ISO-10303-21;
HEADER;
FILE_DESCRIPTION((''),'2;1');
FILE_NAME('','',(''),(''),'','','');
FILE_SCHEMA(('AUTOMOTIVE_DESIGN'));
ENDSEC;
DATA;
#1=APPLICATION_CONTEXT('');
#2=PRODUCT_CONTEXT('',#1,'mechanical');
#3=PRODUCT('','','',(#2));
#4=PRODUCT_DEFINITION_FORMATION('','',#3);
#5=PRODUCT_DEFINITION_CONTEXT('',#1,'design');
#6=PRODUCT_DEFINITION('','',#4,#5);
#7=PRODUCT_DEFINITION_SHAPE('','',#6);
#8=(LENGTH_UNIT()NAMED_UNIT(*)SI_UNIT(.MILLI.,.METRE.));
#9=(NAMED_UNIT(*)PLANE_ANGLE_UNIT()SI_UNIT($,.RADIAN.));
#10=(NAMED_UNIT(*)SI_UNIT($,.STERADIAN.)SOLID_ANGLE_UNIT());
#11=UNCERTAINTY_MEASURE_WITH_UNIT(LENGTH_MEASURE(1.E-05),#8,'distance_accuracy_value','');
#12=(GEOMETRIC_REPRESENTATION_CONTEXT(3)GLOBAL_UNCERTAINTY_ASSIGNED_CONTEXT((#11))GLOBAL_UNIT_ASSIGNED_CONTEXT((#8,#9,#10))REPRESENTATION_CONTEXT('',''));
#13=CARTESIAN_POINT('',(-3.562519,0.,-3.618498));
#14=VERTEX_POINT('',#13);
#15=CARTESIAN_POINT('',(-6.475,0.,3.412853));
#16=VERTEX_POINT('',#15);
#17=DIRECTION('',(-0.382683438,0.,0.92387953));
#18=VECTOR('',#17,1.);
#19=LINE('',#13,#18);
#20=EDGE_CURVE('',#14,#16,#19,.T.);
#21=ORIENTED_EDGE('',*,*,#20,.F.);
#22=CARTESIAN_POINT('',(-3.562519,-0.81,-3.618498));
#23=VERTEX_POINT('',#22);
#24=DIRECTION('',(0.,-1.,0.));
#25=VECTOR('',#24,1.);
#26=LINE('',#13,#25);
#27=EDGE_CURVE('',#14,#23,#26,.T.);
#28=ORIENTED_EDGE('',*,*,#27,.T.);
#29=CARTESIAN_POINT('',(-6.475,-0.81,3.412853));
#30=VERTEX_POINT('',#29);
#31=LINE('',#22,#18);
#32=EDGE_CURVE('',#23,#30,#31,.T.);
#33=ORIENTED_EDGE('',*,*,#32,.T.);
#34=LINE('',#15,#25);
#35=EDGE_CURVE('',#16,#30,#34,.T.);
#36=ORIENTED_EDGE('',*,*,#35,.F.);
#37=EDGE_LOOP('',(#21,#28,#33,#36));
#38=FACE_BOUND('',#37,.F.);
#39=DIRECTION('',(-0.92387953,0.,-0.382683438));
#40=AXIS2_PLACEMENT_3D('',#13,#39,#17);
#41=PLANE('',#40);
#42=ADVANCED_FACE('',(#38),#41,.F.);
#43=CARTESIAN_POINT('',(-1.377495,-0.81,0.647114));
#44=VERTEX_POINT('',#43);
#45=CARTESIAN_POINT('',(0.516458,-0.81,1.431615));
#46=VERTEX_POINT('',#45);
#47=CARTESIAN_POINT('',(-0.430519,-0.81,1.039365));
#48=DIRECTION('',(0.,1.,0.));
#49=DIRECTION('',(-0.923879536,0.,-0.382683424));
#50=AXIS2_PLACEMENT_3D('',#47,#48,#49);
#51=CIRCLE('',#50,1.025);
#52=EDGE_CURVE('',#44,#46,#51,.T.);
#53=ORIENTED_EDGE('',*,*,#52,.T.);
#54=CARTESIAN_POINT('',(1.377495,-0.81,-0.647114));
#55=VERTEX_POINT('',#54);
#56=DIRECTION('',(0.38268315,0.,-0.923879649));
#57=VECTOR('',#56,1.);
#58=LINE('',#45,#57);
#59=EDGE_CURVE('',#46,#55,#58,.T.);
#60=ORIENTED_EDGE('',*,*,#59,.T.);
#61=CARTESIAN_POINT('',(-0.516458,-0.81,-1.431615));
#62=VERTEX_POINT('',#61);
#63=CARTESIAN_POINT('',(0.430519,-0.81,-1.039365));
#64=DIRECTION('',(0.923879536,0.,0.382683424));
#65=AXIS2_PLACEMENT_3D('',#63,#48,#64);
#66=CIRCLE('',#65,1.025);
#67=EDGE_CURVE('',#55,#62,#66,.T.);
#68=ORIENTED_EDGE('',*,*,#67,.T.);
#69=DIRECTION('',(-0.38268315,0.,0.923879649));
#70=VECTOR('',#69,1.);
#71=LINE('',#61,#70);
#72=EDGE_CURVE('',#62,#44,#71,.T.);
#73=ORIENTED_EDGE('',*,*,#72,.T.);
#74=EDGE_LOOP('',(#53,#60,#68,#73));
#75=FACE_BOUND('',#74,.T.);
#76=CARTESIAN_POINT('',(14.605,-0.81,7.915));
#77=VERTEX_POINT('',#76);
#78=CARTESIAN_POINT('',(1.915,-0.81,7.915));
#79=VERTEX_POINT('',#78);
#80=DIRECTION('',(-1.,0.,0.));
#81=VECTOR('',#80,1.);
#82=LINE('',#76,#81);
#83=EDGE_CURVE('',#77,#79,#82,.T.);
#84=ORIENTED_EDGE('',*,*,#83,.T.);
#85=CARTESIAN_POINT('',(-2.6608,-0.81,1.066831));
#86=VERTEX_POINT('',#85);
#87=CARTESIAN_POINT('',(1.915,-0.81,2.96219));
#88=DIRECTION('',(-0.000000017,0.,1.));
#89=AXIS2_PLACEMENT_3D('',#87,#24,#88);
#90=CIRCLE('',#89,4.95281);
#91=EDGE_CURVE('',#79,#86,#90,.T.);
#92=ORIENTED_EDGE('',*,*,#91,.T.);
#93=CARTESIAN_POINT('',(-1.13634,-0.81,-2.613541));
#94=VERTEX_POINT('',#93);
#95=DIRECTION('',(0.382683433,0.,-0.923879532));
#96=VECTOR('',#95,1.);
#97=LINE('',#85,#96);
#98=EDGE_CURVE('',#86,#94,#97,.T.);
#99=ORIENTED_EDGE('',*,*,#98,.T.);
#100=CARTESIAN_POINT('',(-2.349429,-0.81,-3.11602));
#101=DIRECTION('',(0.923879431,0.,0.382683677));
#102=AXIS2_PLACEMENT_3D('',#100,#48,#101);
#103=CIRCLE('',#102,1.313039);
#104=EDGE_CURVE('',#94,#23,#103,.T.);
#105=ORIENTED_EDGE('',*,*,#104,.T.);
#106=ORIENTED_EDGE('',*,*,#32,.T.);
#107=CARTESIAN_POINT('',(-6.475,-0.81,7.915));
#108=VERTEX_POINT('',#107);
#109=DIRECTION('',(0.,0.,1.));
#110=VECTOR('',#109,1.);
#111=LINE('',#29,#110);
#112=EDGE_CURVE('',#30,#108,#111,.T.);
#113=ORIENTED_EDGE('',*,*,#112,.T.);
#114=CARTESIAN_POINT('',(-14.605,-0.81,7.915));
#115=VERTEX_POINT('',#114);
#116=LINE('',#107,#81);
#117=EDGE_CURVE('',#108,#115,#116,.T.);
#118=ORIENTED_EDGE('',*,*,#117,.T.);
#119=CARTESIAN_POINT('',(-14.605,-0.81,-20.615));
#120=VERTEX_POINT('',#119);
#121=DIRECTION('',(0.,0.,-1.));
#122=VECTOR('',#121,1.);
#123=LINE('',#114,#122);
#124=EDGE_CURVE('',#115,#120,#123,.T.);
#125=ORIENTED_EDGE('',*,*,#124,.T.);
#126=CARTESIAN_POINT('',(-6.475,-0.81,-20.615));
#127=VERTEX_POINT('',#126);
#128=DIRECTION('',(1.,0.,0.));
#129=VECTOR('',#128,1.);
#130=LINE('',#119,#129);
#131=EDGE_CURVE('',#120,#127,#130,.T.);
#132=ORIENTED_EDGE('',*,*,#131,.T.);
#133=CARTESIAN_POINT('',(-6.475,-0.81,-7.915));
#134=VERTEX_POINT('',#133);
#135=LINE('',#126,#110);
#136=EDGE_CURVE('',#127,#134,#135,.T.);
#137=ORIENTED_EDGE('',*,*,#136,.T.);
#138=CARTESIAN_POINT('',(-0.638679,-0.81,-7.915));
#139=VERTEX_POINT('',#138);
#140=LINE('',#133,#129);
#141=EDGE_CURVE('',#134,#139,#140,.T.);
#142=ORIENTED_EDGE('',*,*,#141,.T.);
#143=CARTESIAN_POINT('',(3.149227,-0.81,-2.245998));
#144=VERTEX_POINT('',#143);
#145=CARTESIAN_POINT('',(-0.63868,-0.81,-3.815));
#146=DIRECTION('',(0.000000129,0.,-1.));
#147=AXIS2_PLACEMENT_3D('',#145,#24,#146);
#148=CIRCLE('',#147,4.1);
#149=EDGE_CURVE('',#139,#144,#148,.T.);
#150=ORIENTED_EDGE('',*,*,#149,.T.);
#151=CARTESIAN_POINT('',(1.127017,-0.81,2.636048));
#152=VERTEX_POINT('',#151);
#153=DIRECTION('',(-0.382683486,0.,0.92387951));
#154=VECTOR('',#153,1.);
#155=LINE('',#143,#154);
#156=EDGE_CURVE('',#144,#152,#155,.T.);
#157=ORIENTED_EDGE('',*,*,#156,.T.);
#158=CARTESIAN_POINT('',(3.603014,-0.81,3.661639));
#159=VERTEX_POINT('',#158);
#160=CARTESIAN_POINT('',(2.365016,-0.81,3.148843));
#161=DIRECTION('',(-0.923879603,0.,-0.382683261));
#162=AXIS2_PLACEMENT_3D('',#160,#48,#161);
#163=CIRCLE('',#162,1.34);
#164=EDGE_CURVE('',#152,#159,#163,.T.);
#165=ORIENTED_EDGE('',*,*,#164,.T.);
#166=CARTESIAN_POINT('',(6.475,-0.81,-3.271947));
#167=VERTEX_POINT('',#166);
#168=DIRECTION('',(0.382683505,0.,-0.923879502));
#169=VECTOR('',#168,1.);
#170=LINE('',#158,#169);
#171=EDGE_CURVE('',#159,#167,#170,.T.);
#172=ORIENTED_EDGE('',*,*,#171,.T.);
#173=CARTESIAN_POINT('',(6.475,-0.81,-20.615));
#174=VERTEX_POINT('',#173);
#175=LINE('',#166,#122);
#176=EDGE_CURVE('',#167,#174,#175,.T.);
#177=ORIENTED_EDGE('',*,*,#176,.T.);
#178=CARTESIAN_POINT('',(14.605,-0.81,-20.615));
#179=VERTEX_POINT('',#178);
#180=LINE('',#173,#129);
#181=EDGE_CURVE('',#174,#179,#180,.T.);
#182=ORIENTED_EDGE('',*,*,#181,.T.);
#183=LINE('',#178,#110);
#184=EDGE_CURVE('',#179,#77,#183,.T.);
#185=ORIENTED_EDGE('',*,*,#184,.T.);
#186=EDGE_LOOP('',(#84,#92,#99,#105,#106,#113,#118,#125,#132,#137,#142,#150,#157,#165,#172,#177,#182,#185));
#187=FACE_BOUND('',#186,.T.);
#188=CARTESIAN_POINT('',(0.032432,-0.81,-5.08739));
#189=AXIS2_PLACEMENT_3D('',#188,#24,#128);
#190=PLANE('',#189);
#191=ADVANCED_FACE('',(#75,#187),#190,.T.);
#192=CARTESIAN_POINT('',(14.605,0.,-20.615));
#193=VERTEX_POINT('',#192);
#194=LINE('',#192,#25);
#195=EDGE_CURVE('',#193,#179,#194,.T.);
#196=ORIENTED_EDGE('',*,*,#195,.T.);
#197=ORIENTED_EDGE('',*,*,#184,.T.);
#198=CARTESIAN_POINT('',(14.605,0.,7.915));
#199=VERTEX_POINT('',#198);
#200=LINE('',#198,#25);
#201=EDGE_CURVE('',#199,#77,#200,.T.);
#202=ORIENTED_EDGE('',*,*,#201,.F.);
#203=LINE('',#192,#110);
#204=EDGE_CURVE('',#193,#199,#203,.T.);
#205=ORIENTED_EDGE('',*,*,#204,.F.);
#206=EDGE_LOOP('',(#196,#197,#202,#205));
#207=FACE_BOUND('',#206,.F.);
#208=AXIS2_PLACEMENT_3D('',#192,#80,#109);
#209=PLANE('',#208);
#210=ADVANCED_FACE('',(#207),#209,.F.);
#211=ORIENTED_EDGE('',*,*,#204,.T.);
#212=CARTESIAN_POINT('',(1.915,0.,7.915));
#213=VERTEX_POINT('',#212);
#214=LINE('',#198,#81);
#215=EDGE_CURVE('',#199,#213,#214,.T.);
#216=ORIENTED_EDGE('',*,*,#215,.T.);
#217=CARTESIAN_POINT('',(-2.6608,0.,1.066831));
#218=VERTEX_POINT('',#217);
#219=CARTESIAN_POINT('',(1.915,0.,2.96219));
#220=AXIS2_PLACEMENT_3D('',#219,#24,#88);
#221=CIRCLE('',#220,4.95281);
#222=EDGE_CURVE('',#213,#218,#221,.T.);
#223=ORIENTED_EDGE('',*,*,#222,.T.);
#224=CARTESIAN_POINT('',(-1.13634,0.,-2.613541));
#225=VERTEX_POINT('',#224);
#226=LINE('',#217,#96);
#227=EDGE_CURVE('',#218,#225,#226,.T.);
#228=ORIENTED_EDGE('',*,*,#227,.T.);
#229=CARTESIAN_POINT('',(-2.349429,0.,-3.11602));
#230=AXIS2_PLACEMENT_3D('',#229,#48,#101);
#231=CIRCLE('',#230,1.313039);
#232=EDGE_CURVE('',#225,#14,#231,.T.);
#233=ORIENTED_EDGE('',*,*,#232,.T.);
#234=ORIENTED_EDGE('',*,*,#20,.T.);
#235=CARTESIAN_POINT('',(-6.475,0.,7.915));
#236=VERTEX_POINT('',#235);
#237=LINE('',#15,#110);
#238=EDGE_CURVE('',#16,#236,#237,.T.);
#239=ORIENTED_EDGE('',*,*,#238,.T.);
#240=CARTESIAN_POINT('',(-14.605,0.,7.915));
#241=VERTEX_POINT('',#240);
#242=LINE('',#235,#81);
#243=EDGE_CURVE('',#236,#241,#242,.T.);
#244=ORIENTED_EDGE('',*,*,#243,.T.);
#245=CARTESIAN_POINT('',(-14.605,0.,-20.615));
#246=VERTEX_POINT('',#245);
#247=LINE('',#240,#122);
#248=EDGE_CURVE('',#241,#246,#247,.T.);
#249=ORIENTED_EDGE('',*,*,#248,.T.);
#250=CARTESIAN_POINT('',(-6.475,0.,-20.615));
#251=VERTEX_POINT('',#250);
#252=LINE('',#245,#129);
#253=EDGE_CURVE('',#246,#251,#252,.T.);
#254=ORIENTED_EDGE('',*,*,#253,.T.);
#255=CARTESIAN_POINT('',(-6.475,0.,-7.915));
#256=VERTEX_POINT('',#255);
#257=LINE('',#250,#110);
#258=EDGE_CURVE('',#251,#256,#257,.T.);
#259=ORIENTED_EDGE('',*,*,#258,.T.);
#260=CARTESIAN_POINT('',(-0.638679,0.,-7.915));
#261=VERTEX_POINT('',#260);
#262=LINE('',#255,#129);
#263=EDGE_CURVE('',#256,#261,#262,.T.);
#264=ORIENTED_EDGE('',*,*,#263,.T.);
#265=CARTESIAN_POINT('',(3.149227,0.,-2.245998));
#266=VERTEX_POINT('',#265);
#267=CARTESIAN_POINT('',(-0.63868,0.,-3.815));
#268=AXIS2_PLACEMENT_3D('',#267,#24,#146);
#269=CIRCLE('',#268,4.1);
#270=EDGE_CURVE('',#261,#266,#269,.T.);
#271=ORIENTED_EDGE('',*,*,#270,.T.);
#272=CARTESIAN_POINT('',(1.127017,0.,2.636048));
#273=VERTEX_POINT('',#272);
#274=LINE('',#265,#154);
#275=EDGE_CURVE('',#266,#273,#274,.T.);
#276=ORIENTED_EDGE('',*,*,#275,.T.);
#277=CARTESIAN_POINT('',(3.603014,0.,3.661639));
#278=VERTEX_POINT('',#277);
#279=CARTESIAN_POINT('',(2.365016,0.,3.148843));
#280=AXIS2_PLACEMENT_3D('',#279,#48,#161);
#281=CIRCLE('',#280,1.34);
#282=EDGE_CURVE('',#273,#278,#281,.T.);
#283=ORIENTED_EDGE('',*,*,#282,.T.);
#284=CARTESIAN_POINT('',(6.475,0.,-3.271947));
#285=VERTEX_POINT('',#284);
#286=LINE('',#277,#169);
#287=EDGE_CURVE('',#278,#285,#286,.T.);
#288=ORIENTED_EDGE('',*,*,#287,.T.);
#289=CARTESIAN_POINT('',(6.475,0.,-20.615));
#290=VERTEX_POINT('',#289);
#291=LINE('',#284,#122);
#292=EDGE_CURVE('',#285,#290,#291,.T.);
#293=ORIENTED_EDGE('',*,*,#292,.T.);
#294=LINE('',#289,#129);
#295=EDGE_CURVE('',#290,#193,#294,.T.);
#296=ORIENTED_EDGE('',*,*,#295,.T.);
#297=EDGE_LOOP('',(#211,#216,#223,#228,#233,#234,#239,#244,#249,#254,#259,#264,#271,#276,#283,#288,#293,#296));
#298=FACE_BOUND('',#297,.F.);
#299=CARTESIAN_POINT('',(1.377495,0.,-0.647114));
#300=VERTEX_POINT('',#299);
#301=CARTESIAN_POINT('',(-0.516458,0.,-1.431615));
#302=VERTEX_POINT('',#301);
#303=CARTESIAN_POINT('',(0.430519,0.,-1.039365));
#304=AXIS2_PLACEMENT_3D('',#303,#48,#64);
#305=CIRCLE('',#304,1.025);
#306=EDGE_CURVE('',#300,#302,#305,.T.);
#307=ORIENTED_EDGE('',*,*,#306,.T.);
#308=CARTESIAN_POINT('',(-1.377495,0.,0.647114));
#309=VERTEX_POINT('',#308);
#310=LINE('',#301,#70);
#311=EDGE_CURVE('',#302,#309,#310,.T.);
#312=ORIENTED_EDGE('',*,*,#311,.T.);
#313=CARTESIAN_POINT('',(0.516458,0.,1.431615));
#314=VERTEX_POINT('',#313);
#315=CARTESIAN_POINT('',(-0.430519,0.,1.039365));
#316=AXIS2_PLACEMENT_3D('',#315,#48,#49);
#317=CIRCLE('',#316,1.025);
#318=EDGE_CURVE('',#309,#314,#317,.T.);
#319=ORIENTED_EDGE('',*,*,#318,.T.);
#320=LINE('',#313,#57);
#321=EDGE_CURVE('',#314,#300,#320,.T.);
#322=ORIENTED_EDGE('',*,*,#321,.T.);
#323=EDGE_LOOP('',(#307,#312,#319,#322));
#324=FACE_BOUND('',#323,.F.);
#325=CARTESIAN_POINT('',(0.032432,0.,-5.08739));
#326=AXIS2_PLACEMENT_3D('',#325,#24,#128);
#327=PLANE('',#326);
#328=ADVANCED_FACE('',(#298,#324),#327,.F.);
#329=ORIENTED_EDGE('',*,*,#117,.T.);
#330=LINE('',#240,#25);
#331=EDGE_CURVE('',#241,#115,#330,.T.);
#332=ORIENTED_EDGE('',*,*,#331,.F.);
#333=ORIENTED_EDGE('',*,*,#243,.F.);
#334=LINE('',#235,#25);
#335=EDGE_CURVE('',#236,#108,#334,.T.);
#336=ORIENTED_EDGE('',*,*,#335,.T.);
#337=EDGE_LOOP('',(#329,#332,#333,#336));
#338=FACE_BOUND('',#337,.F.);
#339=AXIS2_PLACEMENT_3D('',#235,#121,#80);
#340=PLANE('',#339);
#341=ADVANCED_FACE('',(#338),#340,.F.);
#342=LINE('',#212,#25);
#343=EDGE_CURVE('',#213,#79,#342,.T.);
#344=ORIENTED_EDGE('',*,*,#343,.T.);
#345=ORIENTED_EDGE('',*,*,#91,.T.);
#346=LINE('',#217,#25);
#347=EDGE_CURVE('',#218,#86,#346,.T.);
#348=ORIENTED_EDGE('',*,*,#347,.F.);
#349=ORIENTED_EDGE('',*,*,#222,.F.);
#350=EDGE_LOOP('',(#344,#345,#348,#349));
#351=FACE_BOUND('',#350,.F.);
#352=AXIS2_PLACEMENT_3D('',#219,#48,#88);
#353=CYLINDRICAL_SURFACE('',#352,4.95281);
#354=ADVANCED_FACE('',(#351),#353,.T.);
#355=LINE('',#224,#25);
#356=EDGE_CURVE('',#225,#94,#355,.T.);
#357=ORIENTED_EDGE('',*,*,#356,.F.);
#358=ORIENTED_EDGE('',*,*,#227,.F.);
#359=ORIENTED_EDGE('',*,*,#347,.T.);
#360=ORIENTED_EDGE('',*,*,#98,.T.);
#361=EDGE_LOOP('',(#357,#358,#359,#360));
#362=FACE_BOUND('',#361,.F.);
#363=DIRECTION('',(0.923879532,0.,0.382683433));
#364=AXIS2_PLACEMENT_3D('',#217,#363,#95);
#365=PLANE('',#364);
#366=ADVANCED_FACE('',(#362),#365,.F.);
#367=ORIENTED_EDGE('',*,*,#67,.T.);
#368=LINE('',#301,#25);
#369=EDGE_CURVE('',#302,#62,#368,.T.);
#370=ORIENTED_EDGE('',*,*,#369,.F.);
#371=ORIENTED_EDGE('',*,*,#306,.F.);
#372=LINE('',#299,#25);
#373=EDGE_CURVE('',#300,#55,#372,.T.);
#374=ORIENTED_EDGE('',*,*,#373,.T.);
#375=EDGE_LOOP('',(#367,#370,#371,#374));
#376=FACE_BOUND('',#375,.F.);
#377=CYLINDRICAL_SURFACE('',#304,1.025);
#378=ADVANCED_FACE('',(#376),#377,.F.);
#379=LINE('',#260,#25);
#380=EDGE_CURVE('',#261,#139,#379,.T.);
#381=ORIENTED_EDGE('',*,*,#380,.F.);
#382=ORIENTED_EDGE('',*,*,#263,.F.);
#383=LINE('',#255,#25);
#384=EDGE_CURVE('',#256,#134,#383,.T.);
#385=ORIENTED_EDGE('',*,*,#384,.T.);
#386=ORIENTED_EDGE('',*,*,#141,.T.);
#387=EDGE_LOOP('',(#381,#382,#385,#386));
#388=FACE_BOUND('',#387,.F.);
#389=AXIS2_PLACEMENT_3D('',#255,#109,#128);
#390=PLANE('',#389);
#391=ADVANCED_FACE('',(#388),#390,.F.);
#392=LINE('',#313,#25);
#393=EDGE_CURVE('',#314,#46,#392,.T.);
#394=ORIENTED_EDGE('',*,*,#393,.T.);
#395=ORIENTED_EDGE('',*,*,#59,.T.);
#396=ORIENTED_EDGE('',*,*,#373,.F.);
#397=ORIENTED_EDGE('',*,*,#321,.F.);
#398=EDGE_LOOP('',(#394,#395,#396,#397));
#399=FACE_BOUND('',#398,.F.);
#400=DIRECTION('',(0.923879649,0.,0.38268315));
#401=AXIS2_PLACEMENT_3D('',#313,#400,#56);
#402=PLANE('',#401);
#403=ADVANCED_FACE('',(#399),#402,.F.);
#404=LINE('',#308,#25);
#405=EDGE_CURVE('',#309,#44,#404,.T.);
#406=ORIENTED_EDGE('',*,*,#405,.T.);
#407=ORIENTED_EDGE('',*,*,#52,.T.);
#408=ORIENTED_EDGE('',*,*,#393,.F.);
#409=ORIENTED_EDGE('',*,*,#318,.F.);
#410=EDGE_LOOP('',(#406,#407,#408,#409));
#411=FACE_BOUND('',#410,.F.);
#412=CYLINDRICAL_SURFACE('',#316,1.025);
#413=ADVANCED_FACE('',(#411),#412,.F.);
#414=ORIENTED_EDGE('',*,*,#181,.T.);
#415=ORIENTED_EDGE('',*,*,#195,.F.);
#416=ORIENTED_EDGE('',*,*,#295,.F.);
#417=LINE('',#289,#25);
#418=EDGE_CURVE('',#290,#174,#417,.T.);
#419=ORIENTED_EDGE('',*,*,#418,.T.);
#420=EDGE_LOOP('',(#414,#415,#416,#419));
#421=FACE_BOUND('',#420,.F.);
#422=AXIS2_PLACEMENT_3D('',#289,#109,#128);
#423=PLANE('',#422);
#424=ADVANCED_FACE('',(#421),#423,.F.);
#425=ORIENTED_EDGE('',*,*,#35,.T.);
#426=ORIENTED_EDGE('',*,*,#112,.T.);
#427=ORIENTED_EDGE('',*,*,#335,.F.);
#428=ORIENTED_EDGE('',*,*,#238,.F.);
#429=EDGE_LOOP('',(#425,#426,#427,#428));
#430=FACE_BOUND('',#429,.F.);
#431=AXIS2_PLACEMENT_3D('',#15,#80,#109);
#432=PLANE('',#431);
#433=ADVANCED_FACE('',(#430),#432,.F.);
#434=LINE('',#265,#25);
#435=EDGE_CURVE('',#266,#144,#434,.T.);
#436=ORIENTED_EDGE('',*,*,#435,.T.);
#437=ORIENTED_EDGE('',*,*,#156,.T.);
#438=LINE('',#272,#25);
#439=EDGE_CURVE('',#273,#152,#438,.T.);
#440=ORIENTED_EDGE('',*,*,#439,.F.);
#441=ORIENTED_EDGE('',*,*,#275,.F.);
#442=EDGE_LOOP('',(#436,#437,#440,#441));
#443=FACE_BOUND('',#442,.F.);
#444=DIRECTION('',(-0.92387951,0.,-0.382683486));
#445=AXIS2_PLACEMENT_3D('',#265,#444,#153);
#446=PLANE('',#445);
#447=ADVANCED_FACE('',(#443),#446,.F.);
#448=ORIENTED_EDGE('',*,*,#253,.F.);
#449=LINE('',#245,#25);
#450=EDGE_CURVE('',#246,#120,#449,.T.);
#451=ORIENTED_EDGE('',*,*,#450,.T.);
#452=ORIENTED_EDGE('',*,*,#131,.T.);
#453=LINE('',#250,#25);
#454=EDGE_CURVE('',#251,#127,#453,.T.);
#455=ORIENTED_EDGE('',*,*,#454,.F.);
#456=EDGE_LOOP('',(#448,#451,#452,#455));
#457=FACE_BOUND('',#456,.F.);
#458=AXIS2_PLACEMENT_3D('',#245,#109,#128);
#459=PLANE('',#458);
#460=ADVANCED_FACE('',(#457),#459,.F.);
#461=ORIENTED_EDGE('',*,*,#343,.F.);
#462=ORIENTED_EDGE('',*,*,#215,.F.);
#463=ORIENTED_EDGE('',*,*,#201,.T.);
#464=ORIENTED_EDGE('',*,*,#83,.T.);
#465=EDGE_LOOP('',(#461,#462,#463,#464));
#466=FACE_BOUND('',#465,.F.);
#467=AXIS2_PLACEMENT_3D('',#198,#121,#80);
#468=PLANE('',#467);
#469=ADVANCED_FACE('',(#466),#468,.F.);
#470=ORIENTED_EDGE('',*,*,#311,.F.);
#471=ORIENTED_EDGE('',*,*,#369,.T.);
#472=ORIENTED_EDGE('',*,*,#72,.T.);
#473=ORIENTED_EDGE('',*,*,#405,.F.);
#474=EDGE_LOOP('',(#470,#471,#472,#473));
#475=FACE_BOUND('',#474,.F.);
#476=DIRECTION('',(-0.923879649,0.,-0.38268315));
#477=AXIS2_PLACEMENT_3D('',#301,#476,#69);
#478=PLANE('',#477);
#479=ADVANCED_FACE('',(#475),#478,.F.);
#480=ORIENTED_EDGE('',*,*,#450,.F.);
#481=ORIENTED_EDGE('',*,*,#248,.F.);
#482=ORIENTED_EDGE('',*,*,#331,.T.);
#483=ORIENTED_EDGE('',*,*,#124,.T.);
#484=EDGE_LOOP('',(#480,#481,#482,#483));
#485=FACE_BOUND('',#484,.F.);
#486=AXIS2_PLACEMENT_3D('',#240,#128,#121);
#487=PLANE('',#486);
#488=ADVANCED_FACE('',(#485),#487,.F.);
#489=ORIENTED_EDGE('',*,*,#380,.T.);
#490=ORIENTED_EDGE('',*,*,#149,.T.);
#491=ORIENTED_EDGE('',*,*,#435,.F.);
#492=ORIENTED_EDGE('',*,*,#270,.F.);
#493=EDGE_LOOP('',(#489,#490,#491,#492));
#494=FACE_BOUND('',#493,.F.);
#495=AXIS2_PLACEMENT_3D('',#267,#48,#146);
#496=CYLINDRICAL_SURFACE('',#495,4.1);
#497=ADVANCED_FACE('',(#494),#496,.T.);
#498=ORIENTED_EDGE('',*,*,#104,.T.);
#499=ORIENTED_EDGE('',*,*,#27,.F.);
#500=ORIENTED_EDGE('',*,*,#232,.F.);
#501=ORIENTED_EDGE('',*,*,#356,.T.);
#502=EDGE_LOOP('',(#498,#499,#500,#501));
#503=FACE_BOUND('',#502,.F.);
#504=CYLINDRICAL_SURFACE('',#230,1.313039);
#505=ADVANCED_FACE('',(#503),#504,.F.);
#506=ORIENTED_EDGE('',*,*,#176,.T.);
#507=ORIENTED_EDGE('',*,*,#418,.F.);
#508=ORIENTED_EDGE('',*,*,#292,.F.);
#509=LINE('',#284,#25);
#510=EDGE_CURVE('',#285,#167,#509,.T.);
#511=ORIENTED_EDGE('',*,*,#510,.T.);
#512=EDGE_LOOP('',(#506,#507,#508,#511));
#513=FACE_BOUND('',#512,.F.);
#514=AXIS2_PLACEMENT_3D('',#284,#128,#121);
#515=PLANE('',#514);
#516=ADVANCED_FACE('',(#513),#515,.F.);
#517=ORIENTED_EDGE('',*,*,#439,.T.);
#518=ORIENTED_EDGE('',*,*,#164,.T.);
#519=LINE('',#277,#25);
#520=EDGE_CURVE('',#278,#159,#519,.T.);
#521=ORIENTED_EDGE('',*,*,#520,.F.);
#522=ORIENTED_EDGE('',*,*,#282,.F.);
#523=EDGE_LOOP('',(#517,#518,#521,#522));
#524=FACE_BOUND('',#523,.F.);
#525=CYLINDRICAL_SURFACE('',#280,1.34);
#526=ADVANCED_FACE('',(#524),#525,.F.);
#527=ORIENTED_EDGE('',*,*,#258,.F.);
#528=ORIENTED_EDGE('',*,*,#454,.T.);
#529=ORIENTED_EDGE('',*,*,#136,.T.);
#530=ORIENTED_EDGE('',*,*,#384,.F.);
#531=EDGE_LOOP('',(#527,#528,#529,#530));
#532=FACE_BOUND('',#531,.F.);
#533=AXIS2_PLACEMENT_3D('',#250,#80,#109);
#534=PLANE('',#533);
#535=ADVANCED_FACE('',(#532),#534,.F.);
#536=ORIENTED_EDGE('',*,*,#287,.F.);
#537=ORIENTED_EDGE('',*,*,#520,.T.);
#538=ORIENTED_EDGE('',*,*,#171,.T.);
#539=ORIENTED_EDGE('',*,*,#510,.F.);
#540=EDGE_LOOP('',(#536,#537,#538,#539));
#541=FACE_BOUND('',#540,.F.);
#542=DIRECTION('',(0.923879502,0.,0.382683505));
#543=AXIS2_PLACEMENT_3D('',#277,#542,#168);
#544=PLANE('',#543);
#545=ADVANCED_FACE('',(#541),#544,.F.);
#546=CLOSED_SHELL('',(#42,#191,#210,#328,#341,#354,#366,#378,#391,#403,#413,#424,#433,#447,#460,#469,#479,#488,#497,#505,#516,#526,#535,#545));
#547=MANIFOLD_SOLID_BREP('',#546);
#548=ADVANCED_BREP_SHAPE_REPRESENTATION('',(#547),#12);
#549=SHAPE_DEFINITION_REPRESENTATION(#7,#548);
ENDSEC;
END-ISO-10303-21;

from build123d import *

# Parameters (mm, degrees)
F1_DEPTH = 0.81


with BuildPart() as f1:
    # F0 (on Front) → F1 (new body)
    with BuildSketch(Plane.XZ):
        with BuildLine():
            Line((-6.475, 3.412853), (-6.475, 7.915))
            Line((-6.475, 7.915), (-14.605, 7.915))
            Line((-14.605, 7.915), (-14.605, -7.915))
            Line((-14.605, -7.915), (-14.605, -20.615))
            Line((-14.605, -20.615), (-6.475, -20.615))
            Line((-6.475, -20.615), (-6.475, -7.915))
            Line((-6.475, -7.915), (-0.638679, -7.915))
            ThreePointArc((-0.638679, -7.915), (2.770346, -6.092838), (3.149227, -2.245998))
            Line((3.149227, -2.245998), (1.127017, 2.636048))
            ThreePointArc((1.127017, 2.636048), (1.85222, 4.386842), (3.603014, 3.661639))
            Line((3.603014, 3.661639), (6.475, -3.271947))
            Line((6.475, -3.271947), (6.475, -7.915))
            Line((6.475, -7.915), (6.475, -20.615))
            Line((6.475, -20.615), (14.605, -20.615))
            Line((14.605, -20.615), (14.605, -7.915))
            Line((14.605, -7.915), (14.605, 7.915))
            Line((14.605, 7.915), (6.475, 7.915))
            Line((6.475, 7.915), (1.915, 7.915))
            ThreePointArc((1.915, 7.915), (-2.203111, 5.713824), (-2.6608, 1.066831))
            Line((-2.6608, 1.066831), (-1.13634, -2.613541))
            ThreePointArc((-1.13634, -2.613541), (-1.846951, -4.329109), (-3.562519, -3.618498))
            Line((-3.562519, -3.618498), (-6.475, 3.412853))
        make_face()
        with BuildLine():
            Line((-0.516458, -1.431615), (-1.377495, 0.647114))
            ThreePointArc((-1.377495, 0.647114), (-0.822769, 1.986341), (0.516458, 1.431615))
            Line((0.516458, 1.431615), (1.377495, -0.647114))
            ThreePointArc((1.377495, -0.647114), (0.822769, -1.986341), (-0.516458, -1.431615))
        make_face(mode=Mode.SUBTRACT)
    extrude(amount=F1_DEPTH)


solid = f1.part
